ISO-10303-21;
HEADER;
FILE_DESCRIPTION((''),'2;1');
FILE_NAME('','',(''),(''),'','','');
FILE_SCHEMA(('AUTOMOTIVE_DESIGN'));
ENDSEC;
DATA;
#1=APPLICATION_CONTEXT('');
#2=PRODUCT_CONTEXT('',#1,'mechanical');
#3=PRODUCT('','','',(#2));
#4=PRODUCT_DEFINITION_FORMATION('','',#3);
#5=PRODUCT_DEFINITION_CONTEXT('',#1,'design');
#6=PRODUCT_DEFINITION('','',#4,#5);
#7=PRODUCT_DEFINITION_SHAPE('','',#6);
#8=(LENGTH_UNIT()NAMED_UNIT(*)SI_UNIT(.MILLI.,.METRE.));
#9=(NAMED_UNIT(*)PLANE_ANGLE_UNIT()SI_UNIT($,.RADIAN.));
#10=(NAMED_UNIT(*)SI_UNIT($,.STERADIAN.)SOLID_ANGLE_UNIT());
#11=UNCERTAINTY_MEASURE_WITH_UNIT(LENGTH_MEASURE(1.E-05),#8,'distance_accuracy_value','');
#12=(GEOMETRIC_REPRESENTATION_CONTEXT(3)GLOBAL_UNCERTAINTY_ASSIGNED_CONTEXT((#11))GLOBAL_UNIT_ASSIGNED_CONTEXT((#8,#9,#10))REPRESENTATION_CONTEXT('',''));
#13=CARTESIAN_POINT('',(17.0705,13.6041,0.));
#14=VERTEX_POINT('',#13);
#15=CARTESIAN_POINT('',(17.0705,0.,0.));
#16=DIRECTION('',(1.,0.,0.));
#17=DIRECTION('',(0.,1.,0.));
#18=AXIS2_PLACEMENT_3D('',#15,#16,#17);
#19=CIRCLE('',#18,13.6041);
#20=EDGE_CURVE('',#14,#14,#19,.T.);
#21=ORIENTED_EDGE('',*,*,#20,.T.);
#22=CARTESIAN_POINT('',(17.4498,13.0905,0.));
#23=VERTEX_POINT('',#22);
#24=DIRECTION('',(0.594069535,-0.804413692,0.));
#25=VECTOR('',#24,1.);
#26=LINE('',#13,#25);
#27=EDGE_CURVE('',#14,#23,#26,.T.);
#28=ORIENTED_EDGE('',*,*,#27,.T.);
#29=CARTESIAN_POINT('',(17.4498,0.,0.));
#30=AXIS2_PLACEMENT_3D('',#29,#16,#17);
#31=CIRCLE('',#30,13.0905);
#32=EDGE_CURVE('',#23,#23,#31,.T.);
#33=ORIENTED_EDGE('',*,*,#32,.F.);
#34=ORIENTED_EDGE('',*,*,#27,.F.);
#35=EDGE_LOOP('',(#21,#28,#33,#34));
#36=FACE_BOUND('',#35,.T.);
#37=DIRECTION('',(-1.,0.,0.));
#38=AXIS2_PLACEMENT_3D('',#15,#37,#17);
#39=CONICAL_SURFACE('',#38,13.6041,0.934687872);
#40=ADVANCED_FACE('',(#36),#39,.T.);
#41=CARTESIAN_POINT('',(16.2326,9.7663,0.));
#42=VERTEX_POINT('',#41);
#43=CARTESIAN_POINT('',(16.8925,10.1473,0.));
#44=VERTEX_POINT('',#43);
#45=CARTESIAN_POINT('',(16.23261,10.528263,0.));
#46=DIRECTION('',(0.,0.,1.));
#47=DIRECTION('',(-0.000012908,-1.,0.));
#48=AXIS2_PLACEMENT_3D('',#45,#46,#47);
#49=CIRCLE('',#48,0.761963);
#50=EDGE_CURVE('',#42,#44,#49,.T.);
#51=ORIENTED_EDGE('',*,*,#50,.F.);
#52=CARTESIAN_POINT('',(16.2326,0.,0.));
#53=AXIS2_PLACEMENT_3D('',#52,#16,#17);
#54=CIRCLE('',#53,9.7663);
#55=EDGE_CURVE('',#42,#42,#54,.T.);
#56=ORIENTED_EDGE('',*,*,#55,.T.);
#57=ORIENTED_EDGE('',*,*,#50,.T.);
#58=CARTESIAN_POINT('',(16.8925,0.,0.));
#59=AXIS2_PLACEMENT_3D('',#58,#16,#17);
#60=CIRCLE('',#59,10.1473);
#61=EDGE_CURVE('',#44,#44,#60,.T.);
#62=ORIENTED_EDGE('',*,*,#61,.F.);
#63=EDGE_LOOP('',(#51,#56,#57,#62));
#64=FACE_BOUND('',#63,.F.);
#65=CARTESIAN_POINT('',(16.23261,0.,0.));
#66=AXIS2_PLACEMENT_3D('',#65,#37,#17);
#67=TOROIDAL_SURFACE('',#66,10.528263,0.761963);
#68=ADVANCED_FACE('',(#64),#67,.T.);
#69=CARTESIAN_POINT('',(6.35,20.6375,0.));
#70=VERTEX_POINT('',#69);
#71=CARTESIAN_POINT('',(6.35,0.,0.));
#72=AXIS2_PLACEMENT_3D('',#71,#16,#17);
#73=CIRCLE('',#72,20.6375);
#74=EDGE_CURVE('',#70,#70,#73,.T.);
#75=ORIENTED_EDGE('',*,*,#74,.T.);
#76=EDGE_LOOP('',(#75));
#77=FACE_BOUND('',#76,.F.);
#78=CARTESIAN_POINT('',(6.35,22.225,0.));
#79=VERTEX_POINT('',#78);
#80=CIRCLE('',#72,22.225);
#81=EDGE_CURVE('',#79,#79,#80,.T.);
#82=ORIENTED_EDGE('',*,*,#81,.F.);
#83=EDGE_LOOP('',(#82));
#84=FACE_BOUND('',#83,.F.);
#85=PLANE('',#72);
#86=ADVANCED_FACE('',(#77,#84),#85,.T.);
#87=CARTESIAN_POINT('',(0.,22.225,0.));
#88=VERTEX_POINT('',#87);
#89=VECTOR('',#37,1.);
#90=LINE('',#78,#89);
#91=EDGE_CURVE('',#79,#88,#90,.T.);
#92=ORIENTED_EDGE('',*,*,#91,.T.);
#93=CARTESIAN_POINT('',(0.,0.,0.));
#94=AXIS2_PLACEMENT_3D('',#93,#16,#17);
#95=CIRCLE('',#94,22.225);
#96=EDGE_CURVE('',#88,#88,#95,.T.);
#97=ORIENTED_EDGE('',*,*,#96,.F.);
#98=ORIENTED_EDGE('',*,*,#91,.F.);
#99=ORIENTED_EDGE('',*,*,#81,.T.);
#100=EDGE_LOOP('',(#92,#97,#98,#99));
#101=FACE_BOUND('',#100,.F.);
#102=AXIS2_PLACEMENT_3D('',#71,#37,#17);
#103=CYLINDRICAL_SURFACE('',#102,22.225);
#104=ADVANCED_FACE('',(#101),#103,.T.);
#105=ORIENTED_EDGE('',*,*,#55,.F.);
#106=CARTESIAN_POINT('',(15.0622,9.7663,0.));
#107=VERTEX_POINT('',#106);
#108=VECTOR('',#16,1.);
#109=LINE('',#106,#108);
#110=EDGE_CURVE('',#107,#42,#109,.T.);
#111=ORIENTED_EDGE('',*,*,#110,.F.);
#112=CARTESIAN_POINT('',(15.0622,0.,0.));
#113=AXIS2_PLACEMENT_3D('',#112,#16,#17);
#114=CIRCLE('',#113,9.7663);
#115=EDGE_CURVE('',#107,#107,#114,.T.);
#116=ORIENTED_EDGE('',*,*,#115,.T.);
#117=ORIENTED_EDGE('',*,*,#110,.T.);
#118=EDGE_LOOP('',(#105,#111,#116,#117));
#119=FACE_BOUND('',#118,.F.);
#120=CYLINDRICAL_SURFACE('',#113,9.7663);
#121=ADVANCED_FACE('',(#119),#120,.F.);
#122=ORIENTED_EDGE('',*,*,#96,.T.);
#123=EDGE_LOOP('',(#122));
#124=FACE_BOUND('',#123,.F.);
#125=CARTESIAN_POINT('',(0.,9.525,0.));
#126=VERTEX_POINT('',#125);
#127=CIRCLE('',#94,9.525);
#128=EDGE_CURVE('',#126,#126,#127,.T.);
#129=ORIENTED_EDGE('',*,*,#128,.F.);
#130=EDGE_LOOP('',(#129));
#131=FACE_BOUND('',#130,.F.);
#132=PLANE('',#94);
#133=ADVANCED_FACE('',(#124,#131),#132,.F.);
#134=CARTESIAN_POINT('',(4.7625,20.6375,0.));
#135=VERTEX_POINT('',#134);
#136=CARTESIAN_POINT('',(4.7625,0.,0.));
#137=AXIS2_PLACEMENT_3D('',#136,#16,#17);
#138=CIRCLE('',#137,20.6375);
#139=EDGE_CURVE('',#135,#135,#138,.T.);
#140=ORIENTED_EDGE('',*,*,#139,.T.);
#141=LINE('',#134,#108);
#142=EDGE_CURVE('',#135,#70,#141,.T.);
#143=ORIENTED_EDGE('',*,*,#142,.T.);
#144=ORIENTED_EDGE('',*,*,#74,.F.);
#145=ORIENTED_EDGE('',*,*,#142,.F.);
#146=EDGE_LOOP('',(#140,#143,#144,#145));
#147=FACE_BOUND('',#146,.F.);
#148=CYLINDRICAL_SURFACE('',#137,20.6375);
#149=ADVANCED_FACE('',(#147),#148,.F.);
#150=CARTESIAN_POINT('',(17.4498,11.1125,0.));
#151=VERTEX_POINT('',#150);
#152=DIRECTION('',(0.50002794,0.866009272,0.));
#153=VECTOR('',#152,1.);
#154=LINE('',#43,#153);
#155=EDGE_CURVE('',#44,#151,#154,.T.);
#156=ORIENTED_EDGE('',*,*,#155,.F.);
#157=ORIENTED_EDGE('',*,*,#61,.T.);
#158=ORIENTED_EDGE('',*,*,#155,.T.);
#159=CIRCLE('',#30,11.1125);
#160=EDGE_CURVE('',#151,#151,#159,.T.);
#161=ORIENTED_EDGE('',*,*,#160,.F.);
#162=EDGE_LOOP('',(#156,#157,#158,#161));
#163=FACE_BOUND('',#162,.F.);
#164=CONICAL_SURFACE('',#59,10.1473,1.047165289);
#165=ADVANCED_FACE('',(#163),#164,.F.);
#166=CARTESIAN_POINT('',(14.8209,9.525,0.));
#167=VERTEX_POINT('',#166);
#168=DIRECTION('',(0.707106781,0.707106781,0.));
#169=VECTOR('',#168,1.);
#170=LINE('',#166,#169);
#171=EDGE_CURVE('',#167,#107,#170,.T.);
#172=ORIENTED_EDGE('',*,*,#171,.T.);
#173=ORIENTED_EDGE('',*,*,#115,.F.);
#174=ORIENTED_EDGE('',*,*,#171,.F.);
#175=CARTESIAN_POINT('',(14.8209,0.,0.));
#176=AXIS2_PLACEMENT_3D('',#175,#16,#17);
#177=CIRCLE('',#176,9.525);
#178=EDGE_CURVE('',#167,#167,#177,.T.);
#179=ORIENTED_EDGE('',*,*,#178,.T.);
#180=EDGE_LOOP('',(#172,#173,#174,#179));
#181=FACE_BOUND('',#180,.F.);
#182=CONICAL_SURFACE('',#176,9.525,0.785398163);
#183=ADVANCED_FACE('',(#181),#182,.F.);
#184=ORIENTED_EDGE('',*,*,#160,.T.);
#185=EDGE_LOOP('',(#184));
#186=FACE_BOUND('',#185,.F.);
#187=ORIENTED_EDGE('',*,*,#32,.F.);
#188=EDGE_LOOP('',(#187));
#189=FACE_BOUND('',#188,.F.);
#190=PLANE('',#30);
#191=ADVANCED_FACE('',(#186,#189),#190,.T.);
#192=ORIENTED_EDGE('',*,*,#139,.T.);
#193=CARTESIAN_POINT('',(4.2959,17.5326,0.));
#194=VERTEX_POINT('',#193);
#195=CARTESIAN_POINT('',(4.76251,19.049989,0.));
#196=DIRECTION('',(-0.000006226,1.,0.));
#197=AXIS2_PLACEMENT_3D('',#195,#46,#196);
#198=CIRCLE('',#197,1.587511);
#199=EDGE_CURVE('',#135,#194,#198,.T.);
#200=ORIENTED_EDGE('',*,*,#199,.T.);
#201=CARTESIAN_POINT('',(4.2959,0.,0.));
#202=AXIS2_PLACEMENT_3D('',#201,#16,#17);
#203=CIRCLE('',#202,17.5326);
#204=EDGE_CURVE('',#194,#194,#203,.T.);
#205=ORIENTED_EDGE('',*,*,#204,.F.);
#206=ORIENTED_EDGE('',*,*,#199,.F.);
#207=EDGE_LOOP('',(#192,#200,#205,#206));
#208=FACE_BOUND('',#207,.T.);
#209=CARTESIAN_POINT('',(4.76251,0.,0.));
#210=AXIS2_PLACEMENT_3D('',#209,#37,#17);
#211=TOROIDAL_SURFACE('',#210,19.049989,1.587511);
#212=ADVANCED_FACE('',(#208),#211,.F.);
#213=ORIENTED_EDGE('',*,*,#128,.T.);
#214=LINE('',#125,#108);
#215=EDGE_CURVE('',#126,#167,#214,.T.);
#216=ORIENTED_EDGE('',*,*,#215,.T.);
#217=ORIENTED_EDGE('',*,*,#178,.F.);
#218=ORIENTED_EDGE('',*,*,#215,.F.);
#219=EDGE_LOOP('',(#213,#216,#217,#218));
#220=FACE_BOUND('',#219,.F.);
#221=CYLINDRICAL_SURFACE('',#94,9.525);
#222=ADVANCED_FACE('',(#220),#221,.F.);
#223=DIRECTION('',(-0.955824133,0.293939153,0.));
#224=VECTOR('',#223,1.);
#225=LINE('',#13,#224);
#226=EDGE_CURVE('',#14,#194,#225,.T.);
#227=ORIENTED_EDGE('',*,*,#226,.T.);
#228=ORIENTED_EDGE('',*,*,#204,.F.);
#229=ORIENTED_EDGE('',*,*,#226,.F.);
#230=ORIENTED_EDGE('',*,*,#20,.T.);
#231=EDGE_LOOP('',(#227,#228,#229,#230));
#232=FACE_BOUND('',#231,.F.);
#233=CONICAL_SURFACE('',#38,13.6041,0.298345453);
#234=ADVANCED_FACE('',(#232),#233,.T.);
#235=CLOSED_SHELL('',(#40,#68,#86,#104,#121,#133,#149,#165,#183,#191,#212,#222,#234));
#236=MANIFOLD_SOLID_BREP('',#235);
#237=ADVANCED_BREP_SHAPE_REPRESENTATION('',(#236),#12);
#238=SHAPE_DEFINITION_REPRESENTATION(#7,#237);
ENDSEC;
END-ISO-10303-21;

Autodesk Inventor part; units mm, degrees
ref_plane "YZ Plane" through (0, 0, 0) normal (1, 0, 0) x (0, 1, 0)
ref_plane "XZ Plane" through (0, 0, 0) normal (0, 1, 0) x (-1, 0, 0)
ref_plane "XY Plane" through (0, 0, 0) normal (0, 0, 1) x (1, 0, 0)
sketch "Sketch1" plane through (0, 0, 0) normal (0, 0, 1) x (1, 0, 0)
  line L0 (0, 22.225) -> (0, 9.525)
  line L1 (0, 9.525) -> (14.8209, 9.525)
  line L2 (15.0622, 9.7663) -> (16.2326, 9.7663)
  line L3 (16.8925, 10.1473) -> (17.4498, 11.1125)
  line L4 (17.4498, 11.1125) -> (17.4498, 13.0905)
  line L5 (17.0705, 13.6041) -> (4.2959, 17.5326)
  arc A0 (4.7625, 20.6375) -> (4.2959, 17.5326) centre (4.7625, 19.05) ccw
  line L6 (4.7625, 20.6375) -> (6.35, 20.6375)
  line L7 (6.35, 20.6375) -> (6.35, 22.225)
  line L8 (6.35, 22.225) -> (0, 22.225)
  arc A1 (16.2326, 9.7663) -> (16.8925, 10.1473) centre (16.2326, 10.5283) ccw
  line L9 (14.8209, 9.525) -> (15.0622, 9.7663)
  line L10 (-5.715, 0) -> (34.29, 0) projected
  line L11 (17.0705, 13.6041) -> (17.4498, 13.0905)
  point P0 (0, 0)
  point P1 (17.4498, 13.4874)
  dimension "d0" = 22.225
  dimension "d1" = 17.4498
  dimension "d2" = 13.4874
  dimension "d3" = 1.5875
  dimension "d4" = 1.5875
  dimension "d5" = 6.35
  dimension "d6" = 3.175
  dimension "d7" = 9.525
  dimension "d8" = 60
  dimension "d9" = 11.1125
  dimension "d10" = 9.7663
  dimension "d12" = 0.762
  dimension "d13" = 45
  dimension "d14" = 2.3876
  dimension "d18" = 0.3969
  dimension "d19" = 0.3969
revolve "Revolution1" add sketch "Sketch1" angle 360 about axis through (-10, 0, 0) along (1, 0, 0)
thread "Thread1" size "3/4-16 UNF" class "2B" standard "ANSI Unified Screw Threads" full length
equation "\"d0\" = 0.5 * AN871_A"
equation "\"d1\" = AN871_C"
equation "\"d2\" = 0.5 * AN871_B"
equation "\"d7\" = 0.5 * AN871_T"
equation "\"d9\" = 0.5 * AND10050_A"
equation "\"d10\" = 0.5 * AND10050_D"
equation "\"d14\" = AND10050_E"
equation "\"d19\" = d18"
equation "\"AN871_A\" = 44.45"
equation "\"AN871_B\" = 26.9748"
equation "\"AN871_C\" = 17.4498"
equation "\"AN871_T\" = 19.05"
equation "\"AND10050_A\" = 22.225"
equation "\"AND10050_D\" = 19.5326"
equation "\"AND10050_E\" = 2.3876"
properties part number "AN871-8D" material "Aluminum 2014-T6"
